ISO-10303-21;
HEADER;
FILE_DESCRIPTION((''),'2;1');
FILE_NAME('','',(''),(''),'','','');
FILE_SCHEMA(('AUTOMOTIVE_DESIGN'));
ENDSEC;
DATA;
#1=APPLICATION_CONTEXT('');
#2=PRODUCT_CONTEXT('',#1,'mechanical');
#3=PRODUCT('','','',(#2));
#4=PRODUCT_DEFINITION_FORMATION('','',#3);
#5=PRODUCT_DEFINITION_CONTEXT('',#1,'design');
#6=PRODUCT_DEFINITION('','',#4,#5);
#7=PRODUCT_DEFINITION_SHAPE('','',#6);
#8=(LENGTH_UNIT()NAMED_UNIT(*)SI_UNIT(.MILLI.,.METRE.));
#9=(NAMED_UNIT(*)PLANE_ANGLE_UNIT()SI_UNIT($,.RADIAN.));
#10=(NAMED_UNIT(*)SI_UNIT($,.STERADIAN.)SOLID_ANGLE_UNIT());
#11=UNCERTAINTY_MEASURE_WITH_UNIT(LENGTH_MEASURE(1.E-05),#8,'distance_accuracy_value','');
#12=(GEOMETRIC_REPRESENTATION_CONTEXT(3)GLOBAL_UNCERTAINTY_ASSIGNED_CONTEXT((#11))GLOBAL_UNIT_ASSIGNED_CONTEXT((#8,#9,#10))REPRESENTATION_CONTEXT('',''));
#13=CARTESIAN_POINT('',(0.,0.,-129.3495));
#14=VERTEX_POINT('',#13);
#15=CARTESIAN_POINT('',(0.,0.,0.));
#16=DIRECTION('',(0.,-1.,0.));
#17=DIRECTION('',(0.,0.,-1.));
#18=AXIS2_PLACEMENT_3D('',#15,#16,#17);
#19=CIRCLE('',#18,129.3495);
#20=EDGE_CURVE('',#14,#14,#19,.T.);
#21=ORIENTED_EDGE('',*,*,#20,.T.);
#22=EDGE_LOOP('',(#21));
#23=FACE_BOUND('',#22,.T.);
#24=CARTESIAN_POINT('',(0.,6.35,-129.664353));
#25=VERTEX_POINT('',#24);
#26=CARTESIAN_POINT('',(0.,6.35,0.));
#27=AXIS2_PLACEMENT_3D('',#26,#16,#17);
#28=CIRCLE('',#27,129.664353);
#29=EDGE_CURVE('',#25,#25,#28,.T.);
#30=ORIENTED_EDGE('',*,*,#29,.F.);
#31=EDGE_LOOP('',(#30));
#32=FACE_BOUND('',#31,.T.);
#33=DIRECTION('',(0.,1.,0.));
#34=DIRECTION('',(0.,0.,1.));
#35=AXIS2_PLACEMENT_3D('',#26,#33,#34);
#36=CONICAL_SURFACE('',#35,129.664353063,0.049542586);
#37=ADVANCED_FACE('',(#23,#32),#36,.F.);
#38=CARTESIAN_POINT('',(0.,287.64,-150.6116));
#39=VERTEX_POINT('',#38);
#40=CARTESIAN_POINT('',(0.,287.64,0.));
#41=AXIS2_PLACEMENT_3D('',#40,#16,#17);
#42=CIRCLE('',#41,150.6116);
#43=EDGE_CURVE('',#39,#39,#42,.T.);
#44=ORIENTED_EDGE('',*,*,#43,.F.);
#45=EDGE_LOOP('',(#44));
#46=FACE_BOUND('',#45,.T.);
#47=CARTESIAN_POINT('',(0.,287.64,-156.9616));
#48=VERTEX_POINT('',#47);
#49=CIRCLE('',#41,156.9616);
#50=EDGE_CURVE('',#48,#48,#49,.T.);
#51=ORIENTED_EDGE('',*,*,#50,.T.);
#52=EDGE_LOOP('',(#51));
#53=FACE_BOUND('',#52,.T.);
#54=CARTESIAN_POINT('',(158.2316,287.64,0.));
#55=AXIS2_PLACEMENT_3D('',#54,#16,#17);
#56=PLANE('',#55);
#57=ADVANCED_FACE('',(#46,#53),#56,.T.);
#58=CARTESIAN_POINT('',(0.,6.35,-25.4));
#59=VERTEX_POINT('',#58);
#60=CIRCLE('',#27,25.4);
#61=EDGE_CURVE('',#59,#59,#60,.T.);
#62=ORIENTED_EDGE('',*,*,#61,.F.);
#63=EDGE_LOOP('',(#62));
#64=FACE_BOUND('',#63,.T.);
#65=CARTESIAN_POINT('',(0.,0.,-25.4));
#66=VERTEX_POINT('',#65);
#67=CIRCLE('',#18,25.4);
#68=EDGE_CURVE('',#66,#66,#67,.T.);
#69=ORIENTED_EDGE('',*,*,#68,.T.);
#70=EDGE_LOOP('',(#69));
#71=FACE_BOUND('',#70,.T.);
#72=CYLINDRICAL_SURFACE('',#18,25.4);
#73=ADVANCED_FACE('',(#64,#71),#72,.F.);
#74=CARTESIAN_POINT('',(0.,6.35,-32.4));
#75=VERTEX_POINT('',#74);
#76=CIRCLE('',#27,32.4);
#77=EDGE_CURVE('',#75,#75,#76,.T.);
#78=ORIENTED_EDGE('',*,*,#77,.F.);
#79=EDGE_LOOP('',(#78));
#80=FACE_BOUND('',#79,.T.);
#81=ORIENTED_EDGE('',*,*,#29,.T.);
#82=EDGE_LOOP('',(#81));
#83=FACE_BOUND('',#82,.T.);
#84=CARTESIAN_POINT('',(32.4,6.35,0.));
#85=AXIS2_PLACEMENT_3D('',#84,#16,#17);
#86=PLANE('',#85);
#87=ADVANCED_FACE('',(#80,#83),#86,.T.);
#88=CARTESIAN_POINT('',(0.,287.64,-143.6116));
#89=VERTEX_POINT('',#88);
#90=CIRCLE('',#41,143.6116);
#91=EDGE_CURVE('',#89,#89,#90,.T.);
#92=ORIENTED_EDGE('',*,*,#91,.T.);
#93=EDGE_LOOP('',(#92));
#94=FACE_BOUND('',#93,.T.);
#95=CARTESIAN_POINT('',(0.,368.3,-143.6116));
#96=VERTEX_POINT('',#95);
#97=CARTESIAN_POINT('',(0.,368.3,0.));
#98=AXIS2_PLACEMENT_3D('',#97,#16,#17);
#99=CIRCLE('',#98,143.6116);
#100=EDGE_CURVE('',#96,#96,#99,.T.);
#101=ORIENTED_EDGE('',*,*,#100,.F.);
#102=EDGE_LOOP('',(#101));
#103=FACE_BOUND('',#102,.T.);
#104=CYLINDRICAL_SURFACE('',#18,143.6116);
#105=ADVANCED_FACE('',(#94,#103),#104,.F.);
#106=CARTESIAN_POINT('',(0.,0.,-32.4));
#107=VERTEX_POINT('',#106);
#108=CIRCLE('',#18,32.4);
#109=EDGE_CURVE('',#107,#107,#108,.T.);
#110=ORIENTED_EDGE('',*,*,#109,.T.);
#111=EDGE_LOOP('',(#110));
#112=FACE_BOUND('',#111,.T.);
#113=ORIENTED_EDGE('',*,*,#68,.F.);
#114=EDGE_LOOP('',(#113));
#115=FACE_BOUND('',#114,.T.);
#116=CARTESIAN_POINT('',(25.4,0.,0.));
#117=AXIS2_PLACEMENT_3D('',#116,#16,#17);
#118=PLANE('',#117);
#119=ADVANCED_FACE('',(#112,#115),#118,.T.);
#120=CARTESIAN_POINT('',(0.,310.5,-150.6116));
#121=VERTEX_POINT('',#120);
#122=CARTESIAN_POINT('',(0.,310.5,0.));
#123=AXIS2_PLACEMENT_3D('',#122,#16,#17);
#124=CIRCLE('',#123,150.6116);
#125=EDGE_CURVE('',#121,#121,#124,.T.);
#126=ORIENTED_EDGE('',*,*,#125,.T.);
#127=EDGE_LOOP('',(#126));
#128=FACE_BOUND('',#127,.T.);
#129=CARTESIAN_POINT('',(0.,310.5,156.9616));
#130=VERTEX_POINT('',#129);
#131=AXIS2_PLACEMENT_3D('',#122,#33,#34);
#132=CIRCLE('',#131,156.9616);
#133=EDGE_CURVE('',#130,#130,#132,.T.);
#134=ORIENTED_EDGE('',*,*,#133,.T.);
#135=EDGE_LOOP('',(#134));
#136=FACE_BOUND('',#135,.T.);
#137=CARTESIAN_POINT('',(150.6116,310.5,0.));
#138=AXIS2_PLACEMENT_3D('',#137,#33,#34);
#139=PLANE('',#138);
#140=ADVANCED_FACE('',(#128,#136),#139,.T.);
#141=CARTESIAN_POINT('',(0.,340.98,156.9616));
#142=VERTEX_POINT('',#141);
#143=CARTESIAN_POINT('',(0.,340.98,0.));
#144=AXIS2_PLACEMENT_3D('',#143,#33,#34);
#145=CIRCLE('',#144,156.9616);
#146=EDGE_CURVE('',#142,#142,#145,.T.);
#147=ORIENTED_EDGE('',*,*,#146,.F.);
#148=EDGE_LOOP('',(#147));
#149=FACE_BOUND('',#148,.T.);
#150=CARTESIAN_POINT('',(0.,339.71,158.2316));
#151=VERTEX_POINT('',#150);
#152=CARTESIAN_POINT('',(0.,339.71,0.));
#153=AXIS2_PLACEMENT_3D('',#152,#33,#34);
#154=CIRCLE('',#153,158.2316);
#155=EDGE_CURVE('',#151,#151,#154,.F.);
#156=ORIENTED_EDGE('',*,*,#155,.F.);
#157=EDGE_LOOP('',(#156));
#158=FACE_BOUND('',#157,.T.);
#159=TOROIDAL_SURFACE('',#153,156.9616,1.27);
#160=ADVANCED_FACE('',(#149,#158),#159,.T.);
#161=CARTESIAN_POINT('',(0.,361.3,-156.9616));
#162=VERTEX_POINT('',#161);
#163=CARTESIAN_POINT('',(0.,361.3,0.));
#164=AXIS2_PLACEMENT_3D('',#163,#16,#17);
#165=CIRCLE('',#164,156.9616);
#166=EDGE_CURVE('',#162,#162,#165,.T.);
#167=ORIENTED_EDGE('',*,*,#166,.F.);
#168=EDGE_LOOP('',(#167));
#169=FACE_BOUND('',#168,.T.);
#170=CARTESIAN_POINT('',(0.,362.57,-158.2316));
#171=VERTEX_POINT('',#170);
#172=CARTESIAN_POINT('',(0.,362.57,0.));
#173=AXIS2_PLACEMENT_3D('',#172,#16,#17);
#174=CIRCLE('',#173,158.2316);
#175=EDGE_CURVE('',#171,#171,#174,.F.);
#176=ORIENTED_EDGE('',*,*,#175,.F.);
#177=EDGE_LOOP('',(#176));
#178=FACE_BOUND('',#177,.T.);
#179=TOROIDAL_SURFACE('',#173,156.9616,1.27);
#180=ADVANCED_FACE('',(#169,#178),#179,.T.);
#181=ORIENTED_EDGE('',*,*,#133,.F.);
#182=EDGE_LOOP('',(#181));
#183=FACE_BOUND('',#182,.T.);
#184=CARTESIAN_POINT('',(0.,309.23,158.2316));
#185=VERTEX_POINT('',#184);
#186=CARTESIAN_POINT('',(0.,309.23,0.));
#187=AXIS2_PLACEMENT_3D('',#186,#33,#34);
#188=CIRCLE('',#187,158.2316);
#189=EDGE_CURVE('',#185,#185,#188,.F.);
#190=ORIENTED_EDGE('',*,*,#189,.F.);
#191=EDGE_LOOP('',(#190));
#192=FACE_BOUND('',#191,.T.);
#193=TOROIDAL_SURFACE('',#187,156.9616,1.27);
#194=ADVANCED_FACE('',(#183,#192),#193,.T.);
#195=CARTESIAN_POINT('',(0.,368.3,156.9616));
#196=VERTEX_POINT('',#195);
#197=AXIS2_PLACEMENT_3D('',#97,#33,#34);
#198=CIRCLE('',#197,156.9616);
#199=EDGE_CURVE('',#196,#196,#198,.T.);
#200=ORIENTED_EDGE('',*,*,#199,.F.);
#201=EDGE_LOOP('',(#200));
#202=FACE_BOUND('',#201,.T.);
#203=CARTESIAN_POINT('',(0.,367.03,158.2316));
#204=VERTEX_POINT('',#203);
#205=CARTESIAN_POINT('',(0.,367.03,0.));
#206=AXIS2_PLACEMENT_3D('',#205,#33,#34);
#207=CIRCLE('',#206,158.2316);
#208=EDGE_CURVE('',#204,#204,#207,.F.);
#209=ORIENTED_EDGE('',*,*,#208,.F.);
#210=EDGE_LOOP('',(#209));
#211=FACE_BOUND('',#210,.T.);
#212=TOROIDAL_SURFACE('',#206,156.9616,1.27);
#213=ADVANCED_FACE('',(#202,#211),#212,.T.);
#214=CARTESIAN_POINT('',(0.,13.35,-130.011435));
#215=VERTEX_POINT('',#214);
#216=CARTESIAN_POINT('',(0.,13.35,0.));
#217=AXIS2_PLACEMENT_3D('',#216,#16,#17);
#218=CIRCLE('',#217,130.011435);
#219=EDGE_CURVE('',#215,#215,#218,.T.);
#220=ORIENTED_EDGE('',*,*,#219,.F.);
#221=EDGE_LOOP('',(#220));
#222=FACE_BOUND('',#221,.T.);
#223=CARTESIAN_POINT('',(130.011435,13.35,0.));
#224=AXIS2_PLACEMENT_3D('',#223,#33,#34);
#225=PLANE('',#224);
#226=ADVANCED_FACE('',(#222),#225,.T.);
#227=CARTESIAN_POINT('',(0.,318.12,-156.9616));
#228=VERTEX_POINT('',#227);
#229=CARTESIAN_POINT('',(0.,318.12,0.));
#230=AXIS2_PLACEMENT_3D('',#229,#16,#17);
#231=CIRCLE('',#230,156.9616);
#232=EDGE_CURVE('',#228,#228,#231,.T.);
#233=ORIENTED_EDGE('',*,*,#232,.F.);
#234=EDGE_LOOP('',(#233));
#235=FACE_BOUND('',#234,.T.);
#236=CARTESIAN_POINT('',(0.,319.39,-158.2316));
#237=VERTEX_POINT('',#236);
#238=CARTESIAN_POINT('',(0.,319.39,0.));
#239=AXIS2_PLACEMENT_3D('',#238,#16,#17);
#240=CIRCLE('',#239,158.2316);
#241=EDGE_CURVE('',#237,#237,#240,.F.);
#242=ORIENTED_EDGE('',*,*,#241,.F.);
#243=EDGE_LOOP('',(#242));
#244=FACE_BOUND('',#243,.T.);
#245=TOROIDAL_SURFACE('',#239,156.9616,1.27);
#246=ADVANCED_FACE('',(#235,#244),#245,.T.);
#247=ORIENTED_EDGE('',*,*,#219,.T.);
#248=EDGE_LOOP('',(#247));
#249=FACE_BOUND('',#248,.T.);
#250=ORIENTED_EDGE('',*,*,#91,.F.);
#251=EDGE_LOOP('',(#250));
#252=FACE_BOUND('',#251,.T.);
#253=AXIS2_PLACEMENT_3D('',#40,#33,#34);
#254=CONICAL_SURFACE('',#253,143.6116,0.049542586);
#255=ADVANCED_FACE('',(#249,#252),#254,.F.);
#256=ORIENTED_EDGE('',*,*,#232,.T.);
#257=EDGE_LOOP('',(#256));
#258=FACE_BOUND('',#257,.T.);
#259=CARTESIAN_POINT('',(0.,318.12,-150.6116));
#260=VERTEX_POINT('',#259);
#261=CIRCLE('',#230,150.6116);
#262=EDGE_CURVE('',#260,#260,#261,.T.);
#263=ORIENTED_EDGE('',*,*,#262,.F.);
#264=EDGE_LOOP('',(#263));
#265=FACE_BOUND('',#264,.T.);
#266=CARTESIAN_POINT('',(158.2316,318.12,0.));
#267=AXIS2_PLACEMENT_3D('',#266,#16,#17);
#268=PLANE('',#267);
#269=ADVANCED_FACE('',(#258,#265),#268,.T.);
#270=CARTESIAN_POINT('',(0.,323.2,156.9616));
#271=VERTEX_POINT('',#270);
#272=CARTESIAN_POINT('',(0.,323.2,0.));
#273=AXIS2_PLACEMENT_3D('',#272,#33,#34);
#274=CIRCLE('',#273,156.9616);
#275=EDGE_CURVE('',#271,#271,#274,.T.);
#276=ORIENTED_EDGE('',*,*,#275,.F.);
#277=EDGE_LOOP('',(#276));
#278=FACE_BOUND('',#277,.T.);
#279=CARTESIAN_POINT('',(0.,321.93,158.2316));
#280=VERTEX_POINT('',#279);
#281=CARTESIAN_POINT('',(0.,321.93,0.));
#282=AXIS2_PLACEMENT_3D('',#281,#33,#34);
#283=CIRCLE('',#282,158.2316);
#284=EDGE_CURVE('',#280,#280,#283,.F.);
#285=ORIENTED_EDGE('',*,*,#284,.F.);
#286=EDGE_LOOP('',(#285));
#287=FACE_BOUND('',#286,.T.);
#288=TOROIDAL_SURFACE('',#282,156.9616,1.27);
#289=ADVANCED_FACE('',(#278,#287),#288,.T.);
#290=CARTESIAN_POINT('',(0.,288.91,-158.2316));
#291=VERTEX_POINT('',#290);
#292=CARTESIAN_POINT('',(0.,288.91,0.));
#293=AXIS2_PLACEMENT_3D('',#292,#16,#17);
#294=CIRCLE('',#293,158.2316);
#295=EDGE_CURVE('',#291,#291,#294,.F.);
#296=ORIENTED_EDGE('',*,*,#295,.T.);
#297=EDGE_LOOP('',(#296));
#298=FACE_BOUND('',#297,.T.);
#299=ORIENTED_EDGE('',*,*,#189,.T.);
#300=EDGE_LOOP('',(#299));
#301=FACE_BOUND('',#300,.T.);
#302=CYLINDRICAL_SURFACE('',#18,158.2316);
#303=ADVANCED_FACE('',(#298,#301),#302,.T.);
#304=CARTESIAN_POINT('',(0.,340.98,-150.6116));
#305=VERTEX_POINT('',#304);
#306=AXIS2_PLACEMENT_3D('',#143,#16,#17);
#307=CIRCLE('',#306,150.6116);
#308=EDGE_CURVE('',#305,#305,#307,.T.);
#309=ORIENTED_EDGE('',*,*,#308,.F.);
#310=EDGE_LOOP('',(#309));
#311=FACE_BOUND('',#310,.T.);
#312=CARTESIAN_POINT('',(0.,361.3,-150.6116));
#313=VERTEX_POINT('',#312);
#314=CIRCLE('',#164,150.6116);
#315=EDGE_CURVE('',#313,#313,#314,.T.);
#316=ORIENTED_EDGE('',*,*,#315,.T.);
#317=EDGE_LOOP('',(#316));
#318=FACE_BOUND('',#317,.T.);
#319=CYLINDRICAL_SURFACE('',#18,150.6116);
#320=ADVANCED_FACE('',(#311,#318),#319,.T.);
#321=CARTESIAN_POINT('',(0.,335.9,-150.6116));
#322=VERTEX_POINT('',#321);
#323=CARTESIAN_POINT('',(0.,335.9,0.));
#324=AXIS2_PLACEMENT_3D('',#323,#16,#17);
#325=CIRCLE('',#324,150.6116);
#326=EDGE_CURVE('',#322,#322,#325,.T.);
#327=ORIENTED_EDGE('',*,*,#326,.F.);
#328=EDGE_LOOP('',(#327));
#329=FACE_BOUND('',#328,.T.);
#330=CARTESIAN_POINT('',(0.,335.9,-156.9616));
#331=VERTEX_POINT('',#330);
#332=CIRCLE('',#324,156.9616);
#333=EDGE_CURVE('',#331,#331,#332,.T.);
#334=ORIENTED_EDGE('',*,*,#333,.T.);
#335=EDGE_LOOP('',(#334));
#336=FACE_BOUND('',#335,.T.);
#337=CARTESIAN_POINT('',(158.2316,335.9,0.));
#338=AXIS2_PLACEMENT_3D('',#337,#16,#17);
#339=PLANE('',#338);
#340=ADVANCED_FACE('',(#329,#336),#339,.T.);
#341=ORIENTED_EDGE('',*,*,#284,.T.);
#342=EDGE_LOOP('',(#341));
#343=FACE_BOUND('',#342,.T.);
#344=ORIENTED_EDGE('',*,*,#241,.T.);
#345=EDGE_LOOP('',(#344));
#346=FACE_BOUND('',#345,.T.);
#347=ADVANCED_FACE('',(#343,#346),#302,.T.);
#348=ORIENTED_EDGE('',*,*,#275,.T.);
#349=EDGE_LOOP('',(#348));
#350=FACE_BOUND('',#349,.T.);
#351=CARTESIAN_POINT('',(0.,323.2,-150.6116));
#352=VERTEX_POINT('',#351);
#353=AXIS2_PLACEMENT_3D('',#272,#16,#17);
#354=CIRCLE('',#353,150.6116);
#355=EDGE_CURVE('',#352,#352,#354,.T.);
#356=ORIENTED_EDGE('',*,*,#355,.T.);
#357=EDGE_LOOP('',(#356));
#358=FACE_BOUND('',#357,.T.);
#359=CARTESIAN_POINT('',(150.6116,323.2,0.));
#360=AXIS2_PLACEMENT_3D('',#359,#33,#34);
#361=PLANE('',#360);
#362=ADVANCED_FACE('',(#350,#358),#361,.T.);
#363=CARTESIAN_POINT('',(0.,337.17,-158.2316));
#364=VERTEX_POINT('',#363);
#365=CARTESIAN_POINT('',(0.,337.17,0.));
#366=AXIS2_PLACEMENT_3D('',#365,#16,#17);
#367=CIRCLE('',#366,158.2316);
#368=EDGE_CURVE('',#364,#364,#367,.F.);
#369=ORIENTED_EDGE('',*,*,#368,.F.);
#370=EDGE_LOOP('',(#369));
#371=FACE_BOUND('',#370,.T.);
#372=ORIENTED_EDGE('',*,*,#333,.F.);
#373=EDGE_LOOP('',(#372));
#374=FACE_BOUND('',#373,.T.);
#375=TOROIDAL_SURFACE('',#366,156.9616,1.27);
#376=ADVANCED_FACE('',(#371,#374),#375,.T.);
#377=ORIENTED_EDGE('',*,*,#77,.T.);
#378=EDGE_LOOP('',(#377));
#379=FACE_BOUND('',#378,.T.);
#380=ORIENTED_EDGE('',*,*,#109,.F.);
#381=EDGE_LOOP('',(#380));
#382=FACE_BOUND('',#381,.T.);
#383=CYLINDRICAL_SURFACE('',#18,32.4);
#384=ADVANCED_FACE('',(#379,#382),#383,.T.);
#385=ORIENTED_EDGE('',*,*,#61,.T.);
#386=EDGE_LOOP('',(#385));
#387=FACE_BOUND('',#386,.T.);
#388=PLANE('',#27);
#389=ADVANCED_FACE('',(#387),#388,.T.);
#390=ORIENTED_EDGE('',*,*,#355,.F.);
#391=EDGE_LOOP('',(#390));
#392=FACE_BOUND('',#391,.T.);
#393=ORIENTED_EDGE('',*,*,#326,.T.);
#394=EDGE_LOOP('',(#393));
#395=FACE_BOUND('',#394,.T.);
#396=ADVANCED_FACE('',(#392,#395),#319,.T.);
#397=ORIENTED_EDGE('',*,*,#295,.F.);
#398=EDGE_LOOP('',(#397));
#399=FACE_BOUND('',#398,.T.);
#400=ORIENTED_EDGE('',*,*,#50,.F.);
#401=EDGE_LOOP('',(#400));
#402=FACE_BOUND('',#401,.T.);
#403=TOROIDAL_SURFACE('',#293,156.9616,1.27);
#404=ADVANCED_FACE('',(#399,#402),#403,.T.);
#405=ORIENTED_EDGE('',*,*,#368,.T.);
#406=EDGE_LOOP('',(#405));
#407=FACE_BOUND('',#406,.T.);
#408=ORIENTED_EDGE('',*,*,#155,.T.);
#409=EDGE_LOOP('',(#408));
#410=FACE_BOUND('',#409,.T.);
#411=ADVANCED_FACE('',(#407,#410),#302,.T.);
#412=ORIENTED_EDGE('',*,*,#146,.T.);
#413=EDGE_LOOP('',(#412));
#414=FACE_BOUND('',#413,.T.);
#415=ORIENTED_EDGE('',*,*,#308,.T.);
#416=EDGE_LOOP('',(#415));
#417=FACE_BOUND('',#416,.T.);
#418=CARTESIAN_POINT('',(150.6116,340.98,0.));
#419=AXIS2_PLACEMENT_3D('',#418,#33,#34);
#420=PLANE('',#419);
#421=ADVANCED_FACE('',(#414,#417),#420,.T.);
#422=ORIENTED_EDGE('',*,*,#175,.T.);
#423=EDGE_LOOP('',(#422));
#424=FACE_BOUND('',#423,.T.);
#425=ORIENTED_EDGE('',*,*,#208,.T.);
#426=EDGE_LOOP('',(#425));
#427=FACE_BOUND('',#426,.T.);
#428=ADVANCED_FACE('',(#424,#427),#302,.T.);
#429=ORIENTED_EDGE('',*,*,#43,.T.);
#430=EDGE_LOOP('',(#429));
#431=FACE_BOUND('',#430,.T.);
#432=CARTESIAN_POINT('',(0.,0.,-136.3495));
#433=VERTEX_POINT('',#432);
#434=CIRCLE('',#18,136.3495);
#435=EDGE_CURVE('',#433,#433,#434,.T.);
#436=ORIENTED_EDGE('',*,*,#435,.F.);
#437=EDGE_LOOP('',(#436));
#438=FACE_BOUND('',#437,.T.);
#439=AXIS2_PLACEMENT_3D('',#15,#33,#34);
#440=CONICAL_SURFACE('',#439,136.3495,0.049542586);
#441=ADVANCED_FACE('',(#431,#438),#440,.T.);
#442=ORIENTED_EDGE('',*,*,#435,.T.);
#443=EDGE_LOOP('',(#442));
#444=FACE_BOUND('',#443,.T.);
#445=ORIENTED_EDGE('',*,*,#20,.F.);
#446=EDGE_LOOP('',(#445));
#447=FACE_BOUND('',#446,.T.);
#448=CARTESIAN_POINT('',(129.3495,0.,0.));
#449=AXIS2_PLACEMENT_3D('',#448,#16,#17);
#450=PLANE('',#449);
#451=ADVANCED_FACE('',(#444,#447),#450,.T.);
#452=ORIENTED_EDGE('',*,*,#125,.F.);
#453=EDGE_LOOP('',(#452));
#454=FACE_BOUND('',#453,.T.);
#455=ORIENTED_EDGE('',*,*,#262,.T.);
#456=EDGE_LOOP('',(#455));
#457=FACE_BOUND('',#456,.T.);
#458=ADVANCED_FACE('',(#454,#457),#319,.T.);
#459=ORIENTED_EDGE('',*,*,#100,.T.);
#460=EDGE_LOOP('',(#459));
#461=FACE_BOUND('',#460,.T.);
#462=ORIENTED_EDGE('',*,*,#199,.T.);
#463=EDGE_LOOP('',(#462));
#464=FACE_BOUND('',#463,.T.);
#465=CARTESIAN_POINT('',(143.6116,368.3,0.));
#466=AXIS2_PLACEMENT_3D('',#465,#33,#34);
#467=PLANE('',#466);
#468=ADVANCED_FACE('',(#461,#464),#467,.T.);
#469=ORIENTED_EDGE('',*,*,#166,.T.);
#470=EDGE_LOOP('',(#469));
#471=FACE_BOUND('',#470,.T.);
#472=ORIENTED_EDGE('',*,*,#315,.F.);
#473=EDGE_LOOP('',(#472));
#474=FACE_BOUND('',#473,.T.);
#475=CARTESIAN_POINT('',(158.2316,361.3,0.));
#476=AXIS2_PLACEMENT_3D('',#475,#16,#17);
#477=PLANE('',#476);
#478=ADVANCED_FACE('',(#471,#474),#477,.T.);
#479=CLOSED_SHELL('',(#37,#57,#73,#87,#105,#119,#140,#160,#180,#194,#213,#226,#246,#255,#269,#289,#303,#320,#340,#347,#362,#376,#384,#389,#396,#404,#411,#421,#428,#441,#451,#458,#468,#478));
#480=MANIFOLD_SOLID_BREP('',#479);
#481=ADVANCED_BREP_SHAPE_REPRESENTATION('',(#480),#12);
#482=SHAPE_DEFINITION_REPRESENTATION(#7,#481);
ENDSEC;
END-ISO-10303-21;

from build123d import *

# Parameters (mm, degrees)
FILLET1_R = 1.27


with BuildPart() as part:
    # Sketch1 → Revolve1 (revolve)
    with BuildSketch(Plane.XY):
        Polygon((0, 6.35), (25.4, 6.35), (25.4, 0), (32.4, 0), (32.4, 6.35), (129.664353063, 6.35), (129.3495, 0), (136.3495, 0), (150.6116, 287.64), (158.2316, 287.64), (158.2316, 310.5), (150.6116, 310.5), (150.6116, 318.12), (158.2316, 318.12), (158.2316, 323.2), (150.6116, 323.2), (150.6116, 335.9), (158.2316, 335.9), (158.2316, 340.98), (150.6116, 340.98), (150.6116, 361.3), (158.2316, 361.3), (158.2316, 368.3), (143.6116, 368.3), (143.6116, 287.64), (130.011435179, 13.35), (0, 13.35), align=None)
    revolve(axis=Axis((0, 0, 0), (0, 1, 0)))

    # Fillet1
    fillet1_edges = [part.edges().sort_by_distance(p)[0] for p in [
        (-158.2316, 368.3, 0),
        (-158.2316, 361.3, 0),
        (-158.2316, 340.98, 0),
        (-158.2316, 335.9, 0),
        (-158.2316, 323.2, 0),
        (-158.2316, 318.12, 0),
        (-158.2316, 310.5, 0),
        (-158.2316, 287.64, 0),
    ]]
    fillet(fillet1_edges, radius=FILLET1_R)


solid = part.part
